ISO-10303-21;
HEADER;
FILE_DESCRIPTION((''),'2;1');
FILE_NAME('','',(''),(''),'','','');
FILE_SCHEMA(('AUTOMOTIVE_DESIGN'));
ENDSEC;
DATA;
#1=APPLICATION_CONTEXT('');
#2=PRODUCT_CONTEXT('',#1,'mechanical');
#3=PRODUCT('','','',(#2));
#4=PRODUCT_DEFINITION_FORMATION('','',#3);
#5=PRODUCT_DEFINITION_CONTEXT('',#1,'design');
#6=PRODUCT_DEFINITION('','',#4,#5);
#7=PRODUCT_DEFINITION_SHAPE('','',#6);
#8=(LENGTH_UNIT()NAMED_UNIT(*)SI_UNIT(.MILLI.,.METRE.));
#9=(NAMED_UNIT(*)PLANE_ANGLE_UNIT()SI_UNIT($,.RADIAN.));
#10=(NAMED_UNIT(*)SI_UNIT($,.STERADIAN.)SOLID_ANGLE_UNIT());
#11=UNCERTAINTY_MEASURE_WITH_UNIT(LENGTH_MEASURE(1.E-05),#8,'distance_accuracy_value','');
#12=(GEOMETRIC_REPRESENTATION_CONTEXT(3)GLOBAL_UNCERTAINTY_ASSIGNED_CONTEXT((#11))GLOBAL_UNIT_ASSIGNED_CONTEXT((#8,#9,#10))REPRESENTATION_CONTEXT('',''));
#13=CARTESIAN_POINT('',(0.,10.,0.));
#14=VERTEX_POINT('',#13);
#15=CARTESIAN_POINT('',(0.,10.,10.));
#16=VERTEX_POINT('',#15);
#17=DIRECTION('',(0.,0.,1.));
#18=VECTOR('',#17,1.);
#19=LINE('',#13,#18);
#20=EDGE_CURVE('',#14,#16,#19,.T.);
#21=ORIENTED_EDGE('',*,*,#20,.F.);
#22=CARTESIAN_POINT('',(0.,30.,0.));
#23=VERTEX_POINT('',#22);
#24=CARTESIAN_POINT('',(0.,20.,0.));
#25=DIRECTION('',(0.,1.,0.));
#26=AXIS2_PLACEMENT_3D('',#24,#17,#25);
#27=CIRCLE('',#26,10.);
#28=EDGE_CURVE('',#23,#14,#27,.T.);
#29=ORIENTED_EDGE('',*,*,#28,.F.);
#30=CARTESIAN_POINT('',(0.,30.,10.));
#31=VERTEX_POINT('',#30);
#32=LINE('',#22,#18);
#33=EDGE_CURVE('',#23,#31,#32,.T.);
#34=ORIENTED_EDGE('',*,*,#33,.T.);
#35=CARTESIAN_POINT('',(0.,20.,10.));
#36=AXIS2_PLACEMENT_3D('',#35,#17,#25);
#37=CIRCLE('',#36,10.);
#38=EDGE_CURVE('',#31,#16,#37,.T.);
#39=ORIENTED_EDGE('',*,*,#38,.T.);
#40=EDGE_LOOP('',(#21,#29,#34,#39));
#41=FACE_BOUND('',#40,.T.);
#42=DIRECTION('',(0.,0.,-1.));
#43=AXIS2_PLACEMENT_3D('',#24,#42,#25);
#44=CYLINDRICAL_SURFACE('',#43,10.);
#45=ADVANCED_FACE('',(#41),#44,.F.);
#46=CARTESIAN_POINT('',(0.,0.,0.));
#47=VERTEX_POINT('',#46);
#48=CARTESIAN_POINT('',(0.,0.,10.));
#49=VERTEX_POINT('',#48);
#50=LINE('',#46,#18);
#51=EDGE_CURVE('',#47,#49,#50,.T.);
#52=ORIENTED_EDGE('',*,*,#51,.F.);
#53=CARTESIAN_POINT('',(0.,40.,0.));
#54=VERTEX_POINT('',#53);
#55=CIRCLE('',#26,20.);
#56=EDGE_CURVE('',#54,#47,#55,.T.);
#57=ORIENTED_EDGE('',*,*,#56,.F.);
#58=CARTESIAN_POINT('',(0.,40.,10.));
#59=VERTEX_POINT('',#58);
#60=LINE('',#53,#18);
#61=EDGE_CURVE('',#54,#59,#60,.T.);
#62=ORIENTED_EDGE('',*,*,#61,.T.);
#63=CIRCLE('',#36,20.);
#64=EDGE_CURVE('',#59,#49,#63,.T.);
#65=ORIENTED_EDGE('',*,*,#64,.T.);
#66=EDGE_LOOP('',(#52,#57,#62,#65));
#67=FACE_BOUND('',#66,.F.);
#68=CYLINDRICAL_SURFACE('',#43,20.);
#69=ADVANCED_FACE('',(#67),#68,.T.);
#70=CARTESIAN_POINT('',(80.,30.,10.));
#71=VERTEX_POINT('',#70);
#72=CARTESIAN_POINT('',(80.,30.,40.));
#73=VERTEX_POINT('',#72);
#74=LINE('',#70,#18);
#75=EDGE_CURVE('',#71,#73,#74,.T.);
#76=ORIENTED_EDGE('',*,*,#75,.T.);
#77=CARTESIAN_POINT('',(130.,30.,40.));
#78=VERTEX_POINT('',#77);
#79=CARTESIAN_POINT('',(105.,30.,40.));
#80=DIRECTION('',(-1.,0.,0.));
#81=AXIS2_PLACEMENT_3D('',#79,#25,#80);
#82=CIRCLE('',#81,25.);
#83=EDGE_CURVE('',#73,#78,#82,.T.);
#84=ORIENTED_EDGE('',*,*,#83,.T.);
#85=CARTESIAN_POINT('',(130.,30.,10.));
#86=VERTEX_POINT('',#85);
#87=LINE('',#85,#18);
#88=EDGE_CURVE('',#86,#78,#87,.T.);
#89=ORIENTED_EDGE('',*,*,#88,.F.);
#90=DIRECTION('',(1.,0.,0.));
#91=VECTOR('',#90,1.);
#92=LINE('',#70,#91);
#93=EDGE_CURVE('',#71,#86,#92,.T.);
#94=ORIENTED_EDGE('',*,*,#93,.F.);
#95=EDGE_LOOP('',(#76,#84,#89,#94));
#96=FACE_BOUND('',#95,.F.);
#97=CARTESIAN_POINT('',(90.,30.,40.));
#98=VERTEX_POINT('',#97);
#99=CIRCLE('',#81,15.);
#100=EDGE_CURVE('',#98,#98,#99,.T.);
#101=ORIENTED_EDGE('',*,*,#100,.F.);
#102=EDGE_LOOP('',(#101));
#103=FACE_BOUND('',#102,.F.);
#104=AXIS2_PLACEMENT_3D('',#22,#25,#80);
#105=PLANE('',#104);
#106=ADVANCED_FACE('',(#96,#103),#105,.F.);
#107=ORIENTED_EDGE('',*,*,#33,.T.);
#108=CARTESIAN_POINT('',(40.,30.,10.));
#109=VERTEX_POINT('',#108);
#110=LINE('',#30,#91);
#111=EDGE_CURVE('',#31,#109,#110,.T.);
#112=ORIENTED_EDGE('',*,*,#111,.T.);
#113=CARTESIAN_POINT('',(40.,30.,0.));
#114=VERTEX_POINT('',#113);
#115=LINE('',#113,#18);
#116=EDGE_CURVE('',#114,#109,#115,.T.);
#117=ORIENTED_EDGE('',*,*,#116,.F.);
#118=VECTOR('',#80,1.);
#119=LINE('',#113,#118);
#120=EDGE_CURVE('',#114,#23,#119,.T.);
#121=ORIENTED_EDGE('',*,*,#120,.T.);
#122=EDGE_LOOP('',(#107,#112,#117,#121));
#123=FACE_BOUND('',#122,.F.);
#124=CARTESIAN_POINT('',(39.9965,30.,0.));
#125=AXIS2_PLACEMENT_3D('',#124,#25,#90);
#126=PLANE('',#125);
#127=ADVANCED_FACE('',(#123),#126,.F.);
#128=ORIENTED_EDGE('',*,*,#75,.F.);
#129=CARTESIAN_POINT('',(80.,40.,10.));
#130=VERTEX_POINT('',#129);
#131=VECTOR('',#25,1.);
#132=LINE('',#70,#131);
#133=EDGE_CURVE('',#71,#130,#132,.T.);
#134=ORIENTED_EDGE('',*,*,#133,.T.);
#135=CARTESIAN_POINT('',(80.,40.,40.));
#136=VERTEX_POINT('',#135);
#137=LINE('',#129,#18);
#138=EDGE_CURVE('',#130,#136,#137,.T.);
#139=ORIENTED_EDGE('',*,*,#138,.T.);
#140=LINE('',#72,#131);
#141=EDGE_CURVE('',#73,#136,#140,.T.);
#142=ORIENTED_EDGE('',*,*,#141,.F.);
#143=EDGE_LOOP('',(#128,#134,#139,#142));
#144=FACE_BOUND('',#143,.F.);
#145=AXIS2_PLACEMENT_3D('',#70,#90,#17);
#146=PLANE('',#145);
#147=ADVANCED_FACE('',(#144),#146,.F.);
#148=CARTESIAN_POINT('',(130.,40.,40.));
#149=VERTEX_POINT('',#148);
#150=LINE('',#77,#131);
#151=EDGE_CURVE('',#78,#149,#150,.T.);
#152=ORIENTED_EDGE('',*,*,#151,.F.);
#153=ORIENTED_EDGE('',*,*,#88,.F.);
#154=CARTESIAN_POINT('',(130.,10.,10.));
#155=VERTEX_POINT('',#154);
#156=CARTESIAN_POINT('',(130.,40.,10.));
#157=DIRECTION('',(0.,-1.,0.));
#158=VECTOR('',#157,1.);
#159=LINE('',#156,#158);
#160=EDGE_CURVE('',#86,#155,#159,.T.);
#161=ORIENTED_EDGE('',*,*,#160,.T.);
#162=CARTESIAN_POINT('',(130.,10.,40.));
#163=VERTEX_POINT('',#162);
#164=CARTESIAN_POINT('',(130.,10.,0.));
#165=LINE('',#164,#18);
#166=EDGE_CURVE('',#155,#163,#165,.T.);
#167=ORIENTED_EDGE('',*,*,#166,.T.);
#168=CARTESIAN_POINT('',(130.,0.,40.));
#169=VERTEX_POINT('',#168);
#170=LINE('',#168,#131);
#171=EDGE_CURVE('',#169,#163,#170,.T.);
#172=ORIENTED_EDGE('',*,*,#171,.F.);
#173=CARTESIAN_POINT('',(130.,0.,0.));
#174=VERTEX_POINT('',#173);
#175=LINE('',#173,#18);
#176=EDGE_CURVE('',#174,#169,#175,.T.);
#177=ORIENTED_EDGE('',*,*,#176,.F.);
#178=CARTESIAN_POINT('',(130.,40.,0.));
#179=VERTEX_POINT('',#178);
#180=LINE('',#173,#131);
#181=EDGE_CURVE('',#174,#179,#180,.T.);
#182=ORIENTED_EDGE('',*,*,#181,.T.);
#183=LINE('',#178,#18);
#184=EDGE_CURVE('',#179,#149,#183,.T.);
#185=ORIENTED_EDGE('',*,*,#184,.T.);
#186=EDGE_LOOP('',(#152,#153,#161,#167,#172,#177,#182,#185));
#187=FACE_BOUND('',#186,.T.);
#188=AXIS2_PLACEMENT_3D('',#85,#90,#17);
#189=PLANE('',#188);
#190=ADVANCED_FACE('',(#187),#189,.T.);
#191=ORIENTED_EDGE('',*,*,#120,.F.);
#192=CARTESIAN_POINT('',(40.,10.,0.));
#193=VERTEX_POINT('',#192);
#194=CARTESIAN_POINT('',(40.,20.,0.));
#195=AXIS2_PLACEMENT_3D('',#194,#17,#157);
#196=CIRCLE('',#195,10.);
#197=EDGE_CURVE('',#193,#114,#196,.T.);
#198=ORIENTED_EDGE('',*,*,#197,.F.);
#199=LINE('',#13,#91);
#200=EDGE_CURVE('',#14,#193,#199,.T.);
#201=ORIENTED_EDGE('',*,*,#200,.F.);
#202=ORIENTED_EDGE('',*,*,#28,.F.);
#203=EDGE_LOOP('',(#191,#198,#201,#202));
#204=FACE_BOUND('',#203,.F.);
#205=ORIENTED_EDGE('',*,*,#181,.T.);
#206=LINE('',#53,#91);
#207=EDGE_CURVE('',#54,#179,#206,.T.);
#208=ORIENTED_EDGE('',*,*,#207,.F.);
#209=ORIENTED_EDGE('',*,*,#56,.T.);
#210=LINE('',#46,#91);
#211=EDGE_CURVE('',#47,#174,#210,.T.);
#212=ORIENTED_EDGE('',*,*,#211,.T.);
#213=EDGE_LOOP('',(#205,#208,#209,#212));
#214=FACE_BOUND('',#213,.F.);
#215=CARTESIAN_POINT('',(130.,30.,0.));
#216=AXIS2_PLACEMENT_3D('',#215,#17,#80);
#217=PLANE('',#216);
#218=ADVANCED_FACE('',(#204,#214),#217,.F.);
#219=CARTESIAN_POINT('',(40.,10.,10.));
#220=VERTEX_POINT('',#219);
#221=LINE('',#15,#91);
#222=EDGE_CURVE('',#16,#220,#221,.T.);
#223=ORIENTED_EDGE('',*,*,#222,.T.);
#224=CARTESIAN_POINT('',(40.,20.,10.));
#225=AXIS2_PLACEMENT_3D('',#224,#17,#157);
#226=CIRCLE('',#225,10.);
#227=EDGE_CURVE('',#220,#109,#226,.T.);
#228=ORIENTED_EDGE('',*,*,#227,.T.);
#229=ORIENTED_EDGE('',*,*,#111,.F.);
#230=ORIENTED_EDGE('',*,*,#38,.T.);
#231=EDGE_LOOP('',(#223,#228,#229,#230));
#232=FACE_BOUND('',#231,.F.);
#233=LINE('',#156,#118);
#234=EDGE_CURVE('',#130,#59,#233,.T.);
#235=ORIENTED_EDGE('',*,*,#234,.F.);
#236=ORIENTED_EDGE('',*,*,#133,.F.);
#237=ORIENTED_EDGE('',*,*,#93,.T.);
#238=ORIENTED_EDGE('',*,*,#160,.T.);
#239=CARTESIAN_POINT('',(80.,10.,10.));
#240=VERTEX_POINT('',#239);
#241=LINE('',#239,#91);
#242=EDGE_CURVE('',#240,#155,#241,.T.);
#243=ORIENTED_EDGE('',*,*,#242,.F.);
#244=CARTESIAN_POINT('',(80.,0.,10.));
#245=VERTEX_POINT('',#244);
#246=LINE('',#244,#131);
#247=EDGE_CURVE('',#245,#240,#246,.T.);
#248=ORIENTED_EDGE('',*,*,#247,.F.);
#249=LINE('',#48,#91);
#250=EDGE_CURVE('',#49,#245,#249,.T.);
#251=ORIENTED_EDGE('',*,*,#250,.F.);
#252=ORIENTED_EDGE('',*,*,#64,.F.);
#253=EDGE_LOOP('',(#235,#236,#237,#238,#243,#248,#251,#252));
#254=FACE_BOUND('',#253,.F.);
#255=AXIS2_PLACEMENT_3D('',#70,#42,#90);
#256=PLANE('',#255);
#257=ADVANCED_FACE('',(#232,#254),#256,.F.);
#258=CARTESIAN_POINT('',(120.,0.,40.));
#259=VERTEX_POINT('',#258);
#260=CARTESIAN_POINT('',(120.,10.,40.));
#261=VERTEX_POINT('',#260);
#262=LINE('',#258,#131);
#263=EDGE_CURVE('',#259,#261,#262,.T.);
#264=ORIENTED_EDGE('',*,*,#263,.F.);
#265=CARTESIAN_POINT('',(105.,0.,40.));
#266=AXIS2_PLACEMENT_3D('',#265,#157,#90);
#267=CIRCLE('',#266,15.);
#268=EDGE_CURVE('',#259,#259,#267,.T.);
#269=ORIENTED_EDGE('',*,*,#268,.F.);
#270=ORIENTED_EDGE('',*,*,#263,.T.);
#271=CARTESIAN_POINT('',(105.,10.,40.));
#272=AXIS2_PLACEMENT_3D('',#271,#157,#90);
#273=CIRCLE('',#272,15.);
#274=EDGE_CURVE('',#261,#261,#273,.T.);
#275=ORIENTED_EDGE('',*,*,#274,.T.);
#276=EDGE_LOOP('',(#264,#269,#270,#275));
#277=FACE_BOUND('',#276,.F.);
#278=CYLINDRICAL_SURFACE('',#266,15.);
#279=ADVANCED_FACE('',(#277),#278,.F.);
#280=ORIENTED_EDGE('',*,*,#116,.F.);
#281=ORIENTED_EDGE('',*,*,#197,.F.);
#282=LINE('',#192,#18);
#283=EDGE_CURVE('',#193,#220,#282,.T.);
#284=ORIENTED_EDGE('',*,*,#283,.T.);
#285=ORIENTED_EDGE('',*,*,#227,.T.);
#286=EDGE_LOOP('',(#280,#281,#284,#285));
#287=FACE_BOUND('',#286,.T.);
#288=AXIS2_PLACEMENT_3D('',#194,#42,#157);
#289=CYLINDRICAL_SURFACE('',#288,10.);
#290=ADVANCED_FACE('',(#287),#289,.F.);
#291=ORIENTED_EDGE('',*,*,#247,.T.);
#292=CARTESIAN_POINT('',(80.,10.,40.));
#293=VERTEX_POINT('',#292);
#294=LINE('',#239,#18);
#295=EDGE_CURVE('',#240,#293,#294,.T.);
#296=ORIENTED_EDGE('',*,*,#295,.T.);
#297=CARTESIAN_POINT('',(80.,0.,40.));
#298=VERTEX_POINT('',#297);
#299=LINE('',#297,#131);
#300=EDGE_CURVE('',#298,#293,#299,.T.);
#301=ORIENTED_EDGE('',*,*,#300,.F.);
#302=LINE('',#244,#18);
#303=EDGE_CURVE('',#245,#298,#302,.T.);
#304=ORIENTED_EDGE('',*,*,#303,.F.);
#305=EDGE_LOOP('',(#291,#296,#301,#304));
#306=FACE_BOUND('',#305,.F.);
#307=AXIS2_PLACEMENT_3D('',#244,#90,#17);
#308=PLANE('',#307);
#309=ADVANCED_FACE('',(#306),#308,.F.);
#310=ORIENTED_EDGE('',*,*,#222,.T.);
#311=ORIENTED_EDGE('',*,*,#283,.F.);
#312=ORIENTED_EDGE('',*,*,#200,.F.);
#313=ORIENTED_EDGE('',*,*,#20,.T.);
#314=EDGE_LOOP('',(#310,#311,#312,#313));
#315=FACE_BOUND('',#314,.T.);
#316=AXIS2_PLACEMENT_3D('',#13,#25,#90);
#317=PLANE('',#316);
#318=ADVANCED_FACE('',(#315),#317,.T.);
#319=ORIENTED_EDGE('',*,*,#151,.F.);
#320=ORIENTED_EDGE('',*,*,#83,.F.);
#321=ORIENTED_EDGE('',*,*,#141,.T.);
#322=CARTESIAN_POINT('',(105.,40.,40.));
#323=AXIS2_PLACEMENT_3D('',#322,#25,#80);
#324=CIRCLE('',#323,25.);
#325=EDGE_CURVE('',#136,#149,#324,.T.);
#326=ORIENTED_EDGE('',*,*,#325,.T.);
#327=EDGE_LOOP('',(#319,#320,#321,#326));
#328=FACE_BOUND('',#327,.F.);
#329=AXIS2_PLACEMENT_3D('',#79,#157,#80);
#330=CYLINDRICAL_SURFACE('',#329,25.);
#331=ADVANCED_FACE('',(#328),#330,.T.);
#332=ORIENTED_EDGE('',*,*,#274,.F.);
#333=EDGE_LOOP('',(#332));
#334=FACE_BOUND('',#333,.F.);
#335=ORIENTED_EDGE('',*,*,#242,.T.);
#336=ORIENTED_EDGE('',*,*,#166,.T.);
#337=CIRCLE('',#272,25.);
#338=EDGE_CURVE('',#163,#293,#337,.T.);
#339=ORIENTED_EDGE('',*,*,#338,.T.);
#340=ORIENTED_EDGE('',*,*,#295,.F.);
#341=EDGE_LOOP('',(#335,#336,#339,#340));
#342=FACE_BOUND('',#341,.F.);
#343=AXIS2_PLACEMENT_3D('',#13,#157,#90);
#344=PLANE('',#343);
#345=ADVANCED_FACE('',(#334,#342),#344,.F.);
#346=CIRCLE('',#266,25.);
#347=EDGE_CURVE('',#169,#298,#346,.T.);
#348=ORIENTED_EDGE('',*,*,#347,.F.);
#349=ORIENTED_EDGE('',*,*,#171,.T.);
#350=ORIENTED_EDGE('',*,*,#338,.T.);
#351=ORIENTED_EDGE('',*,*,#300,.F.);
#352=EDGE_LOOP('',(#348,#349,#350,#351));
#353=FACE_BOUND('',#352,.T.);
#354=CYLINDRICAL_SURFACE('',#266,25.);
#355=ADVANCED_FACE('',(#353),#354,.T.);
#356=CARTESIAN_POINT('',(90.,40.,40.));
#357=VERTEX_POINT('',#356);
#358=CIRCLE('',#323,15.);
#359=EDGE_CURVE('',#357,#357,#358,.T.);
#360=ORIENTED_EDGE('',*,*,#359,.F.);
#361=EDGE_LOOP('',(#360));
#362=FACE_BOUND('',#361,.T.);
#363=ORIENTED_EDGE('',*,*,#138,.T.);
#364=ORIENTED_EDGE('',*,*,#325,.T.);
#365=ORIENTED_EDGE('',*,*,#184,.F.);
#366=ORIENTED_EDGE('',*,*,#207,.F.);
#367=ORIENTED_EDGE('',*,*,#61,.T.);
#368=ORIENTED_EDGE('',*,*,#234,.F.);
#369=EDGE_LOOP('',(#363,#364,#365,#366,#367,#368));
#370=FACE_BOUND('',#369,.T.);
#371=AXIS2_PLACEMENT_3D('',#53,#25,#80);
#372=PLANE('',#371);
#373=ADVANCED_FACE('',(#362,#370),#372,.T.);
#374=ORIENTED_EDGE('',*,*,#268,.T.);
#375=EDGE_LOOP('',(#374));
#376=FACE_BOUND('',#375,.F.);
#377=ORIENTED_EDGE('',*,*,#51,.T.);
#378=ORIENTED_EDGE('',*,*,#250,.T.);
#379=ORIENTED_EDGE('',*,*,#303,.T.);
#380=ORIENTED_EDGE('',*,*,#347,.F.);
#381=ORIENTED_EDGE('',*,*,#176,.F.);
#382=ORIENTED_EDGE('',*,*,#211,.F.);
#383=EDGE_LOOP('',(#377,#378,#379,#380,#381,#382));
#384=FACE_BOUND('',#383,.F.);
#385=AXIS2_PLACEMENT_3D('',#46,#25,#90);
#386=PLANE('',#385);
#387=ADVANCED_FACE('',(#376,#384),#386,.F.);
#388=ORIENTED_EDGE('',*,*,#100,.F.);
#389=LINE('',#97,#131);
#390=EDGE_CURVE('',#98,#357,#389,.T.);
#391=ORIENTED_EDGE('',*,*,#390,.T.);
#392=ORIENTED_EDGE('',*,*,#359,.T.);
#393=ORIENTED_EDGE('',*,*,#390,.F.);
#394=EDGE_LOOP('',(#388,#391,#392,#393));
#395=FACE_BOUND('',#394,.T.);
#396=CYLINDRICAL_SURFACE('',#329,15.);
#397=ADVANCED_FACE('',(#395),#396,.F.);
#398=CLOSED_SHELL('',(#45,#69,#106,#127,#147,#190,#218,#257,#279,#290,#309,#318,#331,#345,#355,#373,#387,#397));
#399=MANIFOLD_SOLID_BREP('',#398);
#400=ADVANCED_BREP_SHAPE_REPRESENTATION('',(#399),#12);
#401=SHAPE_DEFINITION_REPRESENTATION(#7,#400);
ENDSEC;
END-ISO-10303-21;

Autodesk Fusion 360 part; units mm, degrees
sketch "Sketch1" plane through (0, 0, 0) normal (0, 0, 1) x (1, 0, 0)
  line L0 (0, 0) -> (130, 0)
  line L1 (130, 0) -> (130, 40)
  line L2 (130, 40) -> (0, 40)
  line L3 (0, 40) -> (0, 0) construction
  arc A0 (0, 40) -> (0, 0) centre (0, 20) ccw
  arc A1 (0, 30) -> (0, 10) centre (0, 20) ccw
  line L4 (0, 30) -> (40, 30)
  line L5 (0, 10) -> (40, 10)
  arc A2 (40, 10) -> (39.9965, 30) centre (40, 20) ccw
  line L6 (-17.8729, 20) -> (60, 20) construction
  line L7 (40, 40) -> (40, 0) construction
  line L8 (130, 40) -> (80, 40)
  line L9 (80, 40) -> (80, 30)
  line L10 (80, 30) -> (130, 30)
  line L11 (130, 30) -> (130, 40)
  line L12 (130, 0) -> (80, 0)
  line L13 (80, 0) -> (80, 10)
  line L14 (80, 10) -> (130, 10)
  line L15 (130, 10) -> (130, 0)
  dimension "d1" = 130
  dimension "d2" = 40
  dimension "d3" = 20
  dimension "d4" = 40
  dimension "d5" = 40
  dimension "d6" = 50
  dimension "d7" = 10
  dimension "d8" = 50
  dimension "d9" = 10
extrude "Extrude1" add sketch "Sketch1" along normal blind 10 contours L0 L1 L2 A0 L9 L10 L13 L14
sketch "Sketch2" plane through (0, 0, 0) normal (0, -1, 0) x (1, 0, 0)
  line L0 (0, 0) -> (80, 0)
  line L1 (80, 0) -> (80, 10)
  line L2 (80, 10) -> (0, 10)
  line L3 (0, 10) -> (0, 0)
  line L4 (80, 10) -> (80, 40)
  line L5 (80, 0) -> (130, 0)
  line L6 (130, 0) -> (130, 40)
  line L7 (80, 40) -> (130, 40) construction
  arc A0 (130, 40) -> (80, 40) centre (105, 40) ccw
  circle A1 centre (105, 40) radius 15
  dimension "d12" = 30
  dimension "d13" = 50
  dimension "d14" = 40
  dimension "d15" = 30
extrude "Extrude2" add sketch "Sketch2" against normal blind 10 contours L1 L4 L5 L6 A0
sketch "Sketch3" plane through (0, 30, 0) normal (0, 1, 0) x (-1, 0, 0)
  line L0 (-130, 0) -> (-80, 0)
  line L1 (-80, 0) -> (-80, 10)
  line L2 (-80, 10) -> (-130, 10)
  line L3 (-130, 10) -> (-130, 0)
  line L4 (-130, 10) -> (-130, 40)
  line L5 (-80, 10) -> (-80, 40)
  curve L6
  arc A0 (-80, 40) -> (-130, 40) centre (-105, 40) ccw
  circle A1 centre (-105, 40) radius 15
  point P0 (-130, 40)
  point P1 (-80, 40)
  dimension "d18" = 30
  dimension "d19" = 30
  dimension "d20" = 30
extrude "Extrude3" add sketch "Sketch3" along normal blind 10 contours L0 L1 L2 L3
extrude "Extrude4" add sketch "Sketch3" along normal blind 10 contours L2 L4 L5 A0
sketch "Sketch4" plane through (0, 0, 0) normal (0, 0, 1) x (1, 0, 0)
  point P0 (130, 40)
  point P1 (0, 40)
  point P2 (130, 0)
  point P3 (80, 0)
  point P4 (130, 30)
  point P5 (130, 10)
  dimension "d25" = 130
  dimension "d26" = 50
  dimension "d27" = 20
  dimension "d28" = 10
  dimension "d29" = 10
sketch "Sketch5" plane through (0, 0, 0) normal (0, -1, 0) x (1, 0, 0)
  circle A0 centre (105, 40) radius 15
  line L0 (0, 0) -> (130, 0)
  line L1 (130, 0) -> (130, 40)
  arc A1 (130, 40) -> (80, 40) centre (105, 40) ccw
  line L2 (80, 40) -> (80, 10)
  line L3 (80, 10) -> (0, 10)
  line L4 (0, 10) -> (0, 0)
  point P0 (130, 0)
  dimension "d30" = 30
  dimension "d31" = 130
sketch "Sketch6" plane through (130, 0, 0) normal (1, 0, 0) x (0, 1, 0)
  line L0 (0, 0) -> (40, 0)
  line L1 (40, 0) -> (40, 40)
  line L2 (40, 40) -> (30, 40)
  line L3 (30, 40) -> (30, 10)
  line L4 (30, 10) -> (10, 10)
  line L5 (10, 10) -> (10, 40)
  line L6 (10, 40) -> (0, 40)
  line L7 (0, 40) -> (0, 0)
  point P0 (10, 40)
  dimension "d32" = 10
  dimension "d33" = 10
  dimension "d34" = 40
  dimension "d35" = 40
